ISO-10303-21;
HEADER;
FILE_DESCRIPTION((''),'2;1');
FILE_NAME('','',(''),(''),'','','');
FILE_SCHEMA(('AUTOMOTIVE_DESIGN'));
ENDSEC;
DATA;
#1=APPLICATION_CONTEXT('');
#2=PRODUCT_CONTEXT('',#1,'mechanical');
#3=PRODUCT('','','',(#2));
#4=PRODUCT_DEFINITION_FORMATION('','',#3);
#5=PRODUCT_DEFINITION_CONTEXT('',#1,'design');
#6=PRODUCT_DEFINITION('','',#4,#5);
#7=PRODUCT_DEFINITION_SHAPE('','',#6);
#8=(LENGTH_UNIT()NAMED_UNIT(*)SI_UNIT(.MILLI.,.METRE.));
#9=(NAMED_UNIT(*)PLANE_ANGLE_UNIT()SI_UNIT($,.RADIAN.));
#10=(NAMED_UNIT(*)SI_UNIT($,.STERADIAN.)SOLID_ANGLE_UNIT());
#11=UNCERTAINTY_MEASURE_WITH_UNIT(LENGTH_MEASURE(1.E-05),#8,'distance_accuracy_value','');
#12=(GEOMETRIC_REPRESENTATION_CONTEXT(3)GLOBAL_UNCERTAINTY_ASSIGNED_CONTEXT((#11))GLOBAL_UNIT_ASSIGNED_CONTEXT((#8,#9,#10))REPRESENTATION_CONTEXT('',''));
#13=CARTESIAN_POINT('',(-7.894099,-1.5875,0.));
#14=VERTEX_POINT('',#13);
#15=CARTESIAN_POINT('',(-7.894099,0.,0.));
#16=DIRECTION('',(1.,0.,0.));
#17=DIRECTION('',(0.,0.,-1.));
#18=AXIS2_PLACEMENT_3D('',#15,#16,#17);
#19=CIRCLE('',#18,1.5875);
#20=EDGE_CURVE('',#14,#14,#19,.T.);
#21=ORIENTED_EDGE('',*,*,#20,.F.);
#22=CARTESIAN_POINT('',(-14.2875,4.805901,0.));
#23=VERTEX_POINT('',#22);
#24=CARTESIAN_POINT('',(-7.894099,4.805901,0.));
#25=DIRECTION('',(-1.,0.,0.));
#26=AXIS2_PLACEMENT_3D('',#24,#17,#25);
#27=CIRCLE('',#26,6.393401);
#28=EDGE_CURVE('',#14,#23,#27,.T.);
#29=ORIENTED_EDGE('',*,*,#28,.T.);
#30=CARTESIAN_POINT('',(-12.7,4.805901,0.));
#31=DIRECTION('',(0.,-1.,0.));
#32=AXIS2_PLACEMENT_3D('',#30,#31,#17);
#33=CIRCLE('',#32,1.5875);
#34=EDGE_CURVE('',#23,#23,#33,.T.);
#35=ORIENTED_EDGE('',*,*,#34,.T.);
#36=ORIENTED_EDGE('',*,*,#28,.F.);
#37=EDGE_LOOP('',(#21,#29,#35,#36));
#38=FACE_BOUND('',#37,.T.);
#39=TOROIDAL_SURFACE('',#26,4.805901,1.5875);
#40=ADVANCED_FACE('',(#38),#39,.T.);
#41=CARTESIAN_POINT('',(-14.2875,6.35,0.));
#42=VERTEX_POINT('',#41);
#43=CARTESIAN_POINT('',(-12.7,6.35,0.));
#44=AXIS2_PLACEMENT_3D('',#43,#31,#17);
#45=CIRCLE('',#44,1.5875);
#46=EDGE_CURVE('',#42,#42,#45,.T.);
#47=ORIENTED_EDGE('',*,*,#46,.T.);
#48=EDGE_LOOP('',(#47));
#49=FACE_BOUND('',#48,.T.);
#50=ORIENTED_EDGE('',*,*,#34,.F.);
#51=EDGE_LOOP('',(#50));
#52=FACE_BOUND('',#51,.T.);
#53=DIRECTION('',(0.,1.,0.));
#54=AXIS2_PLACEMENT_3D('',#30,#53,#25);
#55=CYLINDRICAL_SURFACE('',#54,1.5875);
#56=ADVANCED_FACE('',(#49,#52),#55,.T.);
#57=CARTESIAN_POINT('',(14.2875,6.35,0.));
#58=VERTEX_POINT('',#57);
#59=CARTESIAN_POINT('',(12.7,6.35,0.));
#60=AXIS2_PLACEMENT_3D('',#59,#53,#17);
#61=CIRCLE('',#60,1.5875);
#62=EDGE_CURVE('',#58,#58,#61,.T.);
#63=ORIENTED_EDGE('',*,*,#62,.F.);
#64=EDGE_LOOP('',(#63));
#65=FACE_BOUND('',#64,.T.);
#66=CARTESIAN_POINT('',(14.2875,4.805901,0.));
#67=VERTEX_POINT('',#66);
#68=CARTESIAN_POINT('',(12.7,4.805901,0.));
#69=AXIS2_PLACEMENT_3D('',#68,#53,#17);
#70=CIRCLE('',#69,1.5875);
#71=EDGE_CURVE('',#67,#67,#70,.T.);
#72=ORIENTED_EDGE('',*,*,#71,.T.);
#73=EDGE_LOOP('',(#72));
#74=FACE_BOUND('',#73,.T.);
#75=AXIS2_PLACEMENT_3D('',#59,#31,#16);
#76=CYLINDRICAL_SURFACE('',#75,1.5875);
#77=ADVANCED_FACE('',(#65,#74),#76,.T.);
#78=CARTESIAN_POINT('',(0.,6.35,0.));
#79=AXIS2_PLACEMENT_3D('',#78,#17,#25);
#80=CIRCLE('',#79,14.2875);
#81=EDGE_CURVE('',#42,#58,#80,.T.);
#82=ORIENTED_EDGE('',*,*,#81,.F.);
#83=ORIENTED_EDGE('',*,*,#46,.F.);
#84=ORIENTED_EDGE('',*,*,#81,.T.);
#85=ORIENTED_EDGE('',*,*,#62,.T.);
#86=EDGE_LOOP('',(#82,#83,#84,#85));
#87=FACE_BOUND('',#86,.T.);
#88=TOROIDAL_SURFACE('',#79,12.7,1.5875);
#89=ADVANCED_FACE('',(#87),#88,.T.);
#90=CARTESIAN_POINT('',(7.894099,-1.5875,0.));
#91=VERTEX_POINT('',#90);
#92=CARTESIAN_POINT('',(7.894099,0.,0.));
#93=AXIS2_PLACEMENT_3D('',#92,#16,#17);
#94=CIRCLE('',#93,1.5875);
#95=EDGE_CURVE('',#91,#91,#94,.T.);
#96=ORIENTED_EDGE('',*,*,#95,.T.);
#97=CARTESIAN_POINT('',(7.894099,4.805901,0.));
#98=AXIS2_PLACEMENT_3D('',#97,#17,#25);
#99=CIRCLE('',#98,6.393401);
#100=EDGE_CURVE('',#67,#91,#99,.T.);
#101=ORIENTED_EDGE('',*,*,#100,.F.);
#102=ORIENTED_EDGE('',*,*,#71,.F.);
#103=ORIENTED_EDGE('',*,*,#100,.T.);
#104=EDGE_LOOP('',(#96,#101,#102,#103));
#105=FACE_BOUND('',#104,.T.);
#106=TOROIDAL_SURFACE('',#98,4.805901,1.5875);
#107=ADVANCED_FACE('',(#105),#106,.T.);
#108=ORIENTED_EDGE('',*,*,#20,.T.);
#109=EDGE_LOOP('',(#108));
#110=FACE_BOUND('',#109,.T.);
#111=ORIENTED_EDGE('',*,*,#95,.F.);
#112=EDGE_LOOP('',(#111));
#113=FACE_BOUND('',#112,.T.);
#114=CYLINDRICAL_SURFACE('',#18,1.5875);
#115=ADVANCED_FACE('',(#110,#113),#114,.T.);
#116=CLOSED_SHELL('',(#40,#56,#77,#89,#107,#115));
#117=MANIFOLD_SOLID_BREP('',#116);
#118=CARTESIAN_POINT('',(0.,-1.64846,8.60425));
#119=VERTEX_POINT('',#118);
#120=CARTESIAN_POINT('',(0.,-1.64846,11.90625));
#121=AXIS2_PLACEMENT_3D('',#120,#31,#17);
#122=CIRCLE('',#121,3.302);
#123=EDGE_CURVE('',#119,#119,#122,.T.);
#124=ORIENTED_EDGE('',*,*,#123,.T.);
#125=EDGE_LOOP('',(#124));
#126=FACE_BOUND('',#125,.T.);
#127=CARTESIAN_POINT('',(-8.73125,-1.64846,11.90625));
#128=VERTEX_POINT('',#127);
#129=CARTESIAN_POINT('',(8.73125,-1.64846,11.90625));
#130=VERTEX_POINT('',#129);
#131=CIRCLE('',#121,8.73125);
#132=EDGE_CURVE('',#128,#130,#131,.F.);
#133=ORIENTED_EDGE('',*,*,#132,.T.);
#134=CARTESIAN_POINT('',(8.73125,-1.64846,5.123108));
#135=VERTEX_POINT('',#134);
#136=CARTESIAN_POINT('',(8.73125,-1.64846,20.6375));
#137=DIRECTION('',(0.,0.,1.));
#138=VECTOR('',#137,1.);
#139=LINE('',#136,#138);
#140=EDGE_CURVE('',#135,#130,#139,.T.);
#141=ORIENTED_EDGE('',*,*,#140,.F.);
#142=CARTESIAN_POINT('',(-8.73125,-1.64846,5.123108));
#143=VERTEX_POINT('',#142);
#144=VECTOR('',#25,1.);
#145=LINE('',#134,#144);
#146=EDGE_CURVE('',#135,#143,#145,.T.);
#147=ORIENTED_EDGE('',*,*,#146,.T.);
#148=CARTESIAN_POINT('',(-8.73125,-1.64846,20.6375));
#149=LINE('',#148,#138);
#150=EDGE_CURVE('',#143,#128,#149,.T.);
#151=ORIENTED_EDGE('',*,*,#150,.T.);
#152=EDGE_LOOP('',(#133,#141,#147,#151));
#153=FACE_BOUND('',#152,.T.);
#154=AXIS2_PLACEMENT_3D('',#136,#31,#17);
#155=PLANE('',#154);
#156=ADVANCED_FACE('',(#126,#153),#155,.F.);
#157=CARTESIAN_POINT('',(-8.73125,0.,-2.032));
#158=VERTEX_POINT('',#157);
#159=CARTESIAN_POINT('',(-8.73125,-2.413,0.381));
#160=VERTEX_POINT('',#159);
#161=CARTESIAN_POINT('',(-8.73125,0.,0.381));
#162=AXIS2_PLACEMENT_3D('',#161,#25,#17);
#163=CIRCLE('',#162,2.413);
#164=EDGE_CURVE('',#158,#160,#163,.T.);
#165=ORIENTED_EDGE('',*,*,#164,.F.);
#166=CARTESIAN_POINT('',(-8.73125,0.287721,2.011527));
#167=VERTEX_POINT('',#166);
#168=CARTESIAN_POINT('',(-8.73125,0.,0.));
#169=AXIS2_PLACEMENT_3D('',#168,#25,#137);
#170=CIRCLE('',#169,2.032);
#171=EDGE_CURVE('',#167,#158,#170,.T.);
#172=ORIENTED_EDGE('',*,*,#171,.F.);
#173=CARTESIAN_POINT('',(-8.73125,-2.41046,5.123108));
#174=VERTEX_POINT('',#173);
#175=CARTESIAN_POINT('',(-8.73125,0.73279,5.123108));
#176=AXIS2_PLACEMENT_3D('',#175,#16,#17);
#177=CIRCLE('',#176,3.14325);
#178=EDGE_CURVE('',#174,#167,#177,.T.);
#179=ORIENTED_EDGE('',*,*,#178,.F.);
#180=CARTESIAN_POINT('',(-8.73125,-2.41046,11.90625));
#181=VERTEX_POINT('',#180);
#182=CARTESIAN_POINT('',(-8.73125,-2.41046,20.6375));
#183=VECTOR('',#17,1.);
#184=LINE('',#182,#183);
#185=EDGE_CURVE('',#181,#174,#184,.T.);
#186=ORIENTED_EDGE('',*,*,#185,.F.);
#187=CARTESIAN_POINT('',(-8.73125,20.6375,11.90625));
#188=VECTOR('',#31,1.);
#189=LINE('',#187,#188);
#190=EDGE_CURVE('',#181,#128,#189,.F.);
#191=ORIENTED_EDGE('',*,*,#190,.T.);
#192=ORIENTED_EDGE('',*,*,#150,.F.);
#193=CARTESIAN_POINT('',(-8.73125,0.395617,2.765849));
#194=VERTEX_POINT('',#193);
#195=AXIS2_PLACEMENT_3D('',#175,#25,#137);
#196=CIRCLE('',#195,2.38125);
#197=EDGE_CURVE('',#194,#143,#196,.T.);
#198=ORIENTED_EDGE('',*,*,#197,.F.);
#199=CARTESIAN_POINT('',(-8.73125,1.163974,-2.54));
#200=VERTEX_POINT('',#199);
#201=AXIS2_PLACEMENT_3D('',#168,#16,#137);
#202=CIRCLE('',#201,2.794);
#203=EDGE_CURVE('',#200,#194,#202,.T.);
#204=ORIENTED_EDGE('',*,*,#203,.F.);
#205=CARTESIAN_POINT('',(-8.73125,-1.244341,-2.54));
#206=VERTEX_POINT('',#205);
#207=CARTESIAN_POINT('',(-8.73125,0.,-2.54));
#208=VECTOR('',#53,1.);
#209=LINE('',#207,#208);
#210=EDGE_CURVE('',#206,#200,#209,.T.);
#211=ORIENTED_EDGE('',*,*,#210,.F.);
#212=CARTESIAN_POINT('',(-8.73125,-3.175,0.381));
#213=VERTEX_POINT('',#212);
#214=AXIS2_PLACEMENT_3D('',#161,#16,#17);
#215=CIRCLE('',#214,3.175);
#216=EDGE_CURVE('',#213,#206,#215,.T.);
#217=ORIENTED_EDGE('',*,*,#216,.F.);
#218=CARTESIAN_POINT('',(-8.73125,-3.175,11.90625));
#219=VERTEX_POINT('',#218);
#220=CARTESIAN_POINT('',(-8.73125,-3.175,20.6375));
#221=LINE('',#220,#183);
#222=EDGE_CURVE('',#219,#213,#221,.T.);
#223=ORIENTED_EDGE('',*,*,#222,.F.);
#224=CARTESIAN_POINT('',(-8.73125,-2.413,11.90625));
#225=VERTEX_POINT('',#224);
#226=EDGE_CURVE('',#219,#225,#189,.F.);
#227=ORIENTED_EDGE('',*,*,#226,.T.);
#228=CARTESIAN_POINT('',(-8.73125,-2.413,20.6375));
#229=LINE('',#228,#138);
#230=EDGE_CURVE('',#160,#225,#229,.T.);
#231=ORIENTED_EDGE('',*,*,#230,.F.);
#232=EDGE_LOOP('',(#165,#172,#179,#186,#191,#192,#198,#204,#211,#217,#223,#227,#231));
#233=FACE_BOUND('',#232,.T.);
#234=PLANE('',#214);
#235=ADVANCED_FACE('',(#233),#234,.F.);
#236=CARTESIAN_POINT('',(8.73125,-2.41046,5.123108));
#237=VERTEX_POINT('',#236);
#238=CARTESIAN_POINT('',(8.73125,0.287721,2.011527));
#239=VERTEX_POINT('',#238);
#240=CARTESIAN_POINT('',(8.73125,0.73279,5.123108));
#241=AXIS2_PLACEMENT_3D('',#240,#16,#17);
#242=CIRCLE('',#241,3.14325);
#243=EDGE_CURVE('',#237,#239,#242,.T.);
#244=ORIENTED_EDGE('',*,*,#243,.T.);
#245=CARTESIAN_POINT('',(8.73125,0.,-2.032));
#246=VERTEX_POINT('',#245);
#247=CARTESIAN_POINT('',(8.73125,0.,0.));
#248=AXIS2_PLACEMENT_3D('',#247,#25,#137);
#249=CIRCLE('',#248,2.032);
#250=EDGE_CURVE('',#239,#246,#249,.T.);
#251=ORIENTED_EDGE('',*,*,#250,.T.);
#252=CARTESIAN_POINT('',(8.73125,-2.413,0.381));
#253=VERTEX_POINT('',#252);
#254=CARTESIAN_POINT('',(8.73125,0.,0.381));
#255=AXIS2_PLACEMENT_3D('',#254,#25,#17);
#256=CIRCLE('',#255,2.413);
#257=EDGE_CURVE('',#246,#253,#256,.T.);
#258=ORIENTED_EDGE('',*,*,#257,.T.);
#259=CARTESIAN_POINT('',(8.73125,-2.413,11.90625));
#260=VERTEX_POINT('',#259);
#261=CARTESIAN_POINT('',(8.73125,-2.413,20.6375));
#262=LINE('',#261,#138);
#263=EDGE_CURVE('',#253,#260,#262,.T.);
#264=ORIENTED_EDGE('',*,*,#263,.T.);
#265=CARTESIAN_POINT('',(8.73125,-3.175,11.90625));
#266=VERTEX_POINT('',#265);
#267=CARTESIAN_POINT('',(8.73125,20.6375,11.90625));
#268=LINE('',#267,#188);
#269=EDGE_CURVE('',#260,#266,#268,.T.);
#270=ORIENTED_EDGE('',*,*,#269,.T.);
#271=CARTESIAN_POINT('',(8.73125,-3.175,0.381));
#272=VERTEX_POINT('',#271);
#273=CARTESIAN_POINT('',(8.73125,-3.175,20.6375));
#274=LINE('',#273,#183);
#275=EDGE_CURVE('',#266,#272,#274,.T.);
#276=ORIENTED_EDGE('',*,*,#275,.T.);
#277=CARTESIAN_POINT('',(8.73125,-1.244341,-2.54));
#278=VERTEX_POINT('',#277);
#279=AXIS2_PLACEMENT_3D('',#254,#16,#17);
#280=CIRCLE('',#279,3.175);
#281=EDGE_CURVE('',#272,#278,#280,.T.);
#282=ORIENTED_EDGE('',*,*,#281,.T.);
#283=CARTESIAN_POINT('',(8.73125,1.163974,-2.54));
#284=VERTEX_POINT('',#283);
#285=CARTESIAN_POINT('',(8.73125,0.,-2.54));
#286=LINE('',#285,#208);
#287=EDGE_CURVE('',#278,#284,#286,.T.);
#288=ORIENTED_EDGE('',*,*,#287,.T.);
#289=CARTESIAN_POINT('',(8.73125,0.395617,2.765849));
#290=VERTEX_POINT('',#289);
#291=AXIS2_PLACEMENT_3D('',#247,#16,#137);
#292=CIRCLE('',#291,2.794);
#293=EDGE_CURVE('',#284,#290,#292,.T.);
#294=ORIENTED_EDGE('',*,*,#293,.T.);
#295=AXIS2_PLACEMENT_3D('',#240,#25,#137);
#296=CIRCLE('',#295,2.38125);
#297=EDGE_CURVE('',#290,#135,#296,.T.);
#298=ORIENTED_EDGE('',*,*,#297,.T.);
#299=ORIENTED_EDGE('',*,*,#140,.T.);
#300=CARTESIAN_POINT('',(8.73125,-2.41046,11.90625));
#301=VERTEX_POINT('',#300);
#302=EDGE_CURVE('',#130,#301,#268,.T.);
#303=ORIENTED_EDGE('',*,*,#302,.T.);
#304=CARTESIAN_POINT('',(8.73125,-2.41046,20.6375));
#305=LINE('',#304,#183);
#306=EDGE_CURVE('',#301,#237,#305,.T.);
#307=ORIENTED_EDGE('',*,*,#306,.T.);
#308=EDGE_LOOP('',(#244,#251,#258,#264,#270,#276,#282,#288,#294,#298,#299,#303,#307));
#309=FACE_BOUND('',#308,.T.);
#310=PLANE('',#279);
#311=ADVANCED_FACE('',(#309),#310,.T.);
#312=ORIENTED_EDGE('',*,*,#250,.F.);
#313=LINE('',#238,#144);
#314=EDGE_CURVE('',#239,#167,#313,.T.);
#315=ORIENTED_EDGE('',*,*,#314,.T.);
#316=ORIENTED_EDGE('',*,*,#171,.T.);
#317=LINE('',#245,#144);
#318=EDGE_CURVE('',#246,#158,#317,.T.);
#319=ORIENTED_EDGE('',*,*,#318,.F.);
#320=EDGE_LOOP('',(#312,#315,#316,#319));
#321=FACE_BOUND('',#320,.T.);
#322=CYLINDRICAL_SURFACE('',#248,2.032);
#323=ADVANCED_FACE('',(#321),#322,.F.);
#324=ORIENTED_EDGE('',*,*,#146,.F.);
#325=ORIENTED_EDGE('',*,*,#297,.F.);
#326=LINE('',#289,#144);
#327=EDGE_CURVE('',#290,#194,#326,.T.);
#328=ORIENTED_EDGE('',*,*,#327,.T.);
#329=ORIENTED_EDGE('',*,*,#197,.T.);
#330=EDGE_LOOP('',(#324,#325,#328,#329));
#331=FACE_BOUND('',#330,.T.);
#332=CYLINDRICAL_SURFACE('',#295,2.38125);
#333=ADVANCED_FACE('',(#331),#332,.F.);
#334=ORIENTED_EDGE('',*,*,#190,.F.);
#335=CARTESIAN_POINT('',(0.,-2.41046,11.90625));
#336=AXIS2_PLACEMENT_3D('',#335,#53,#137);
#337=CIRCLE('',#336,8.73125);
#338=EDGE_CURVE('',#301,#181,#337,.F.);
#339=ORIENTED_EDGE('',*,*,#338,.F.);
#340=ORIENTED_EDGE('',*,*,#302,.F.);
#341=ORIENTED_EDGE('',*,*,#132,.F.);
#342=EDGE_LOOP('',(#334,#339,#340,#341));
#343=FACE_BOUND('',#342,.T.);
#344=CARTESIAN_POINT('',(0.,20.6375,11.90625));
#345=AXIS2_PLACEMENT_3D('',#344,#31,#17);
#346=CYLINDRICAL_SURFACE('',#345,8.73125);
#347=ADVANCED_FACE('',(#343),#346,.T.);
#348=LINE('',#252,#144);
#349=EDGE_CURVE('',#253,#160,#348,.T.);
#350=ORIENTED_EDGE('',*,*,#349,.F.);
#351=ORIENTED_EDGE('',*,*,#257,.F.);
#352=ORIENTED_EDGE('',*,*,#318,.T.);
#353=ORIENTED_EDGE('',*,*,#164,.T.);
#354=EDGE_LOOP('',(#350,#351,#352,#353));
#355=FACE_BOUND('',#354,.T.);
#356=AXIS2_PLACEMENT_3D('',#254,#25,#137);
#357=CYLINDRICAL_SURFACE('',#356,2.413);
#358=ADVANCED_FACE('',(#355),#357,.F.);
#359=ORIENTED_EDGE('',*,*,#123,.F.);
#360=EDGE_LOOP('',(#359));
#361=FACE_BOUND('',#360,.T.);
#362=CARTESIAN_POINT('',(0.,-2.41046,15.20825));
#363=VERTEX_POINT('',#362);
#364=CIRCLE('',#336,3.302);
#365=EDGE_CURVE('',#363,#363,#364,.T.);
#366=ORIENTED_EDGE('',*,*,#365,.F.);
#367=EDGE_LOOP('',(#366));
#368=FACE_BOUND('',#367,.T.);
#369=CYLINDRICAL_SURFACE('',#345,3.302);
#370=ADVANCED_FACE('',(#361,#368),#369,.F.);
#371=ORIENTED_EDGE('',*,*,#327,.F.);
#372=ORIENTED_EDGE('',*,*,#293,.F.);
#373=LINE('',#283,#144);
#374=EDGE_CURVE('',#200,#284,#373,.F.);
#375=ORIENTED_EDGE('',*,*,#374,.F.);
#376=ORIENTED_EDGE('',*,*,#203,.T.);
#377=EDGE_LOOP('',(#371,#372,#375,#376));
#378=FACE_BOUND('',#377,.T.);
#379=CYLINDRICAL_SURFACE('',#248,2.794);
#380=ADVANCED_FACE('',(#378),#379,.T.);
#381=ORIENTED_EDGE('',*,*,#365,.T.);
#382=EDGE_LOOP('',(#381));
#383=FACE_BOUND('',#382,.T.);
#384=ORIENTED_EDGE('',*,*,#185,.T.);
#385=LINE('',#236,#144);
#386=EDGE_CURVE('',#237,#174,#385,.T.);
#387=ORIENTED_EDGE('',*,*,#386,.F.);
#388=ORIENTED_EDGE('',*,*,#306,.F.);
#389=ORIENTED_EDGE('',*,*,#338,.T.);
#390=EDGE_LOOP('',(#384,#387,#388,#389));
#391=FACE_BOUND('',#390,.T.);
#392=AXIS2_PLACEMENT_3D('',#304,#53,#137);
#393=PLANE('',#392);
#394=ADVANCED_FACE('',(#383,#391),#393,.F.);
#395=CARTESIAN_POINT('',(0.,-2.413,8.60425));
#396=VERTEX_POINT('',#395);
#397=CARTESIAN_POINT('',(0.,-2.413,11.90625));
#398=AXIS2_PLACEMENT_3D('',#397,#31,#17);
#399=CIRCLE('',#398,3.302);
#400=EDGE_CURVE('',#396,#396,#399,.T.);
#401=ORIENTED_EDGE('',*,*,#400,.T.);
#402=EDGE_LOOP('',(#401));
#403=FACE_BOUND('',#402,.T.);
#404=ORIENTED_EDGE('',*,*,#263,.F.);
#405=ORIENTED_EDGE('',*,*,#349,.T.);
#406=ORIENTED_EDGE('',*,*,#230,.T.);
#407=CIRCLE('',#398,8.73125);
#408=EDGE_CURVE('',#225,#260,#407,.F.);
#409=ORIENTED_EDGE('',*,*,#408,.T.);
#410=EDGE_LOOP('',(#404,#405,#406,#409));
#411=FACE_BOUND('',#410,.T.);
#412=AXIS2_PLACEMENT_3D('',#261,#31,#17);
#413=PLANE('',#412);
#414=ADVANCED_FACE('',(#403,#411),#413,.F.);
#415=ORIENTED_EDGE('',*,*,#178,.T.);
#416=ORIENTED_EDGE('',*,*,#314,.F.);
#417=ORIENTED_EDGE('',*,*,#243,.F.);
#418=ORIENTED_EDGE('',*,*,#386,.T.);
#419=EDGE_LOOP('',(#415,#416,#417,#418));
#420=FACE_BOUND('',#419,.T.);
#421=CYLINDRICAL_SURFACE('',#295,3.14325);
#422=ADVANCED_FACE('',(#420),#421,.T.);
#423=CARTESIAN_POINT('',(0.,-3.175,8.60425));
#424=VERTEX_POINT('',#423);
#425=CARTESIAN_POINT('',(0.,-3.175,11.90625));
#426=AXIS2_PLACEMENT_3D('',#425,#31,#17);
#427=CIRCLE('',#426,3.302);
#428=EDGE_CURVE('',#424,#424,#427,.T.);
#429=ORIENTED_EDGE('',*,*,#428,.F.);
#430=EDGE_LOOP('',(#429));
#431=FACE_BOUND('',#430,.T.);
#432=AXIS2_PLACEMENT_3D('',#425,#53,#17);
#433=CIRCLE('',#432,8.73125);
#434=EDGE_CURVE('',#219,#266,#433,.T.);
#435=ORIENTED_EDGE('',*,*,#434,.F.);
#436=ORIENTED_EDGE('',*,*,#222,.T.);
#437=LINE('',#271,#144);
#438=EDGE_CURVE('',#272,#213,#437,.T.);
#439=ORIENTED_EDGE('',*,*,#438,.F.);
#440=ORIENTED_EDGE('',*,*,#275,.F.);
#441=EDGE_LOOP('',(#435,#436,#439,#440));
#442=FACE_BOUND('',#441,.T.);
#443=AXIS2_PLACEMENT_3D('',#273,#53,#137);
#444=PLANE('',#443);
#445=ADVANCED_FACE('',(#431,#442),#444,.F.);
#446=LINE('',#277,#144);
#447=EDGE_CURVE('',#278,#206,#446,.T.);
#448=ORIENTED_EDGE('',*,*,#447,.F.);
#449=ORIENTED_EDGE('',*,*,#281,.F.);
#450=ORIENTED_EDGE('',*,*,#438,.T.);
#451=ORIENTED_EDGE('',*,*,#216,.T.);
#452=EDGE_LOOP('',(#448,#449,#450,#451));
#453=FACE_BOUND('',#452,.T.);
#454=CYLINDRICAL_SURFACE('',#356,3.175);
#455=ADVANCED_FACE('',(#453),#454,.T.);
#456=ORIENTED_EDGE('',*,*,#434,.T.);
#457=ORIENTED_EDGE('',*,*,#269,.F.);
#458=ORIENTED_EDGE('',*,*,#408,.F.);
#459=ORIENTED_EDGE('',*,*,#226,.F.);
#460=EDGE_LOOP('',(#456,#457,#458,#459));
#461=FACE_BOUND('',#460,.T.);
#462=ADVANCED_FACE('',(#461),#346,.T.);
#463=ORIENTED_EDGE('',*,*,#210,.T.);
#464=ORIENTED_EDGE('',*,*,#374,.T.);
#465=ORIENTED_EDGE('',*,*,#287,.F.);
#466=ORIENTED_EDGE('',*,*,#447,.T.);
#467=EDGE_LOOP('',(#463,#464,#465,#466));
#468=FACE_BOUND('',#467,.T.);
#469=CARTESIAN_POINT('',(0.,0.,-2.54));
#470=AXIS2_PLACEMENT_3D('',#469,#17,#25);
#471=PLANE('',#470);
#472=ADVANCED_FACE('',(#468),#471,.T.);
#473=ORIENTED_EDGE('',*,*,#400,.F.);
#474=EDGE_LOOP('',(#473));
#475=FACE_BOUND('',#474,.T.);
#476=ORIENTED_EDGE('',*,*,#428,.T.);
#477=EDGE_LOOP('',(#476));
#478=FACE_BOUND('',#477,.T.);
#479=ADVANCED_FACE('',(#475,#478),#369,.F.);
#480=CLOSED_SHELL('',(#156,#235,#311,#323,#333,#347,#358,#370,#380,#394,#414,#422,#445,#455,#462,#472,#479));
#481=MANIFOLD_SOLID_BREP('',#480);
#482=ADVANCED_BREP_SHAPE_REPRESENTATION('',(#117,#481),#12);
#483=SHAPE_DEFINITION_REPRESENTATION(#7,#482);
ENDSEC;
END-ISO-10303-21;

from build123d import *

# Parameters (mm, degrees)
SKETCH2_R           = 1.5875
BOSS_EXTRUDE1_DEPTH = 8.73125
SKETCH4_R           = 3.302
CUT_EXTRUDE1_DEPTH  = 35.598760474
CUT_EXTRUDE2_START  = -2.54
SKETCH5_W           = 19.108331581
SKETCH5_H           = 4.40731651
CUT_EXTRUDE2_DEPTH  = 2.54


with BuildPart() as part:
    # Sweep1: sweep along a path in Sketch1
    with BuildLine(Plane.XY) as sweep1_path:
        Line((-12.7, 6.35), (-12.7, 4.805901242))
        ThreePointArc((-12.7, 4.805901242), (-11.292384116, 1.407615884), (-7.894098758, 0))
        Line((-7.894098758, 0), (7.894098758, 0))
        ThreePointArc((7.894098758, 0), (11.292384116, 1.407615884), (12.7, 4.805901242))
        Line((12.7, 4.805901242), (12.7, 6.35))
        ThreePointArc((12.7, 6.35), (0, 19.05), (-12.7, 6.35))
    # Sketch2 → Sweep1 (sweep)
    with BuildSketch(Plane(origin=(0, 0, 0), x_dir=(0, 0, -1), z_dir=(1, 0, 0))):
        Circle(SKETCH2_R)
    sweep(path=sweep1_path.line)


with BuildPart() as body_2:
    # Sketch3 → Boss-Extrude1 (new, symmetric)
    with BuildSketch(Plane(origin=(0, 0, 0), x_dir=(0, 0, -1), z_dir=(1, 0, 0))):
        with BuildLine():
            Line((-20.6375, -3.175), (-0.381, -3.175))
            ThreePointArc((-0.381, -3.175), (1.86406403, -2.24506403), (2.794, 0))
            ThreePointArc((2.794, 0), (0.198308481, 2.786953488), (-2.765849496, 0.395616687))
            ThreePointArc((-2.765849496, 0.395616687), (-3.563066307, -1.066271632), (-5.12310759, -1.64846))
            Line((-5.12310759, -1.64846), (-20.6375, -1.64846))
            Line((-20.6375, -1.64846), (-20.6375, -2.41046))
            Line((-20.6375, -2.41046), (-5.12310759, -2.41046))
            ThreePointArc((-5.12310759, -2.41046), (-3.063853096, -1.641971355), (-2.011526906, 0.287721227))
            ThreePointArc((-2.011526906, 0.287721227), (0.14422435, 2.026875264), (2.032, 0))
            ThreePointArc((2.032, 0), (1.325248663, -1.706248663), (-0.381, -2.413))
            Line((-0.381, -2.413), (-20.6375, -2.413))
            Line((-20.6375, -2.413), (-20.6375, -3.175))
        make_face()
    extrude(amount=BOSS_EXTRUDE1_DEPTH, both=True)

    # Sketch4 → Cut-Extrude1 (cut, through all)
    with BuildSketch(Plane.XZ.offset(3.175)):
        with Locations(Location((0, 11.90625, 0), (0, 0, 270))):
            Circle(SKETCH4_R)
        with BuildLine():
            Line((-8.73125, 11.90625), (-8.73125, 20.6375))
            Line((-8.73125, 20.6375), (-8.73125, 21.9075))
            Line((-8.73125, 21.9075), (8.73125, 21.9075))
            Line((8.73125, 21.9075), (8.73125, 20.6375))
            Line((8.73125, 20.6375), (8.73125, 11.90625))
            ThreePointArc((8.73125, 11.90625), (0, 20.6375), (-8.73125, 11.90625))
        make_face()
    extrude(amount=-CUT_EXTRUDE1_DEPTH, mode=Mode.SUBTRACT)

    # Sketch5 → Cut-Extrude2 (cut)
    with BuildSketch(Plane.XY.offset(CUT_EXTRUDE2_START)):
        with Locations((-0.530371987, -0.038562852)):
            Rectangle(SKETCH5_W, SKETCH5_H)
    extrude(amount=-CUT_EXTRUDE2_DEPTH, mode=Mode.SUBTRACT)


solid = Compound([part.part, body_2.part])
